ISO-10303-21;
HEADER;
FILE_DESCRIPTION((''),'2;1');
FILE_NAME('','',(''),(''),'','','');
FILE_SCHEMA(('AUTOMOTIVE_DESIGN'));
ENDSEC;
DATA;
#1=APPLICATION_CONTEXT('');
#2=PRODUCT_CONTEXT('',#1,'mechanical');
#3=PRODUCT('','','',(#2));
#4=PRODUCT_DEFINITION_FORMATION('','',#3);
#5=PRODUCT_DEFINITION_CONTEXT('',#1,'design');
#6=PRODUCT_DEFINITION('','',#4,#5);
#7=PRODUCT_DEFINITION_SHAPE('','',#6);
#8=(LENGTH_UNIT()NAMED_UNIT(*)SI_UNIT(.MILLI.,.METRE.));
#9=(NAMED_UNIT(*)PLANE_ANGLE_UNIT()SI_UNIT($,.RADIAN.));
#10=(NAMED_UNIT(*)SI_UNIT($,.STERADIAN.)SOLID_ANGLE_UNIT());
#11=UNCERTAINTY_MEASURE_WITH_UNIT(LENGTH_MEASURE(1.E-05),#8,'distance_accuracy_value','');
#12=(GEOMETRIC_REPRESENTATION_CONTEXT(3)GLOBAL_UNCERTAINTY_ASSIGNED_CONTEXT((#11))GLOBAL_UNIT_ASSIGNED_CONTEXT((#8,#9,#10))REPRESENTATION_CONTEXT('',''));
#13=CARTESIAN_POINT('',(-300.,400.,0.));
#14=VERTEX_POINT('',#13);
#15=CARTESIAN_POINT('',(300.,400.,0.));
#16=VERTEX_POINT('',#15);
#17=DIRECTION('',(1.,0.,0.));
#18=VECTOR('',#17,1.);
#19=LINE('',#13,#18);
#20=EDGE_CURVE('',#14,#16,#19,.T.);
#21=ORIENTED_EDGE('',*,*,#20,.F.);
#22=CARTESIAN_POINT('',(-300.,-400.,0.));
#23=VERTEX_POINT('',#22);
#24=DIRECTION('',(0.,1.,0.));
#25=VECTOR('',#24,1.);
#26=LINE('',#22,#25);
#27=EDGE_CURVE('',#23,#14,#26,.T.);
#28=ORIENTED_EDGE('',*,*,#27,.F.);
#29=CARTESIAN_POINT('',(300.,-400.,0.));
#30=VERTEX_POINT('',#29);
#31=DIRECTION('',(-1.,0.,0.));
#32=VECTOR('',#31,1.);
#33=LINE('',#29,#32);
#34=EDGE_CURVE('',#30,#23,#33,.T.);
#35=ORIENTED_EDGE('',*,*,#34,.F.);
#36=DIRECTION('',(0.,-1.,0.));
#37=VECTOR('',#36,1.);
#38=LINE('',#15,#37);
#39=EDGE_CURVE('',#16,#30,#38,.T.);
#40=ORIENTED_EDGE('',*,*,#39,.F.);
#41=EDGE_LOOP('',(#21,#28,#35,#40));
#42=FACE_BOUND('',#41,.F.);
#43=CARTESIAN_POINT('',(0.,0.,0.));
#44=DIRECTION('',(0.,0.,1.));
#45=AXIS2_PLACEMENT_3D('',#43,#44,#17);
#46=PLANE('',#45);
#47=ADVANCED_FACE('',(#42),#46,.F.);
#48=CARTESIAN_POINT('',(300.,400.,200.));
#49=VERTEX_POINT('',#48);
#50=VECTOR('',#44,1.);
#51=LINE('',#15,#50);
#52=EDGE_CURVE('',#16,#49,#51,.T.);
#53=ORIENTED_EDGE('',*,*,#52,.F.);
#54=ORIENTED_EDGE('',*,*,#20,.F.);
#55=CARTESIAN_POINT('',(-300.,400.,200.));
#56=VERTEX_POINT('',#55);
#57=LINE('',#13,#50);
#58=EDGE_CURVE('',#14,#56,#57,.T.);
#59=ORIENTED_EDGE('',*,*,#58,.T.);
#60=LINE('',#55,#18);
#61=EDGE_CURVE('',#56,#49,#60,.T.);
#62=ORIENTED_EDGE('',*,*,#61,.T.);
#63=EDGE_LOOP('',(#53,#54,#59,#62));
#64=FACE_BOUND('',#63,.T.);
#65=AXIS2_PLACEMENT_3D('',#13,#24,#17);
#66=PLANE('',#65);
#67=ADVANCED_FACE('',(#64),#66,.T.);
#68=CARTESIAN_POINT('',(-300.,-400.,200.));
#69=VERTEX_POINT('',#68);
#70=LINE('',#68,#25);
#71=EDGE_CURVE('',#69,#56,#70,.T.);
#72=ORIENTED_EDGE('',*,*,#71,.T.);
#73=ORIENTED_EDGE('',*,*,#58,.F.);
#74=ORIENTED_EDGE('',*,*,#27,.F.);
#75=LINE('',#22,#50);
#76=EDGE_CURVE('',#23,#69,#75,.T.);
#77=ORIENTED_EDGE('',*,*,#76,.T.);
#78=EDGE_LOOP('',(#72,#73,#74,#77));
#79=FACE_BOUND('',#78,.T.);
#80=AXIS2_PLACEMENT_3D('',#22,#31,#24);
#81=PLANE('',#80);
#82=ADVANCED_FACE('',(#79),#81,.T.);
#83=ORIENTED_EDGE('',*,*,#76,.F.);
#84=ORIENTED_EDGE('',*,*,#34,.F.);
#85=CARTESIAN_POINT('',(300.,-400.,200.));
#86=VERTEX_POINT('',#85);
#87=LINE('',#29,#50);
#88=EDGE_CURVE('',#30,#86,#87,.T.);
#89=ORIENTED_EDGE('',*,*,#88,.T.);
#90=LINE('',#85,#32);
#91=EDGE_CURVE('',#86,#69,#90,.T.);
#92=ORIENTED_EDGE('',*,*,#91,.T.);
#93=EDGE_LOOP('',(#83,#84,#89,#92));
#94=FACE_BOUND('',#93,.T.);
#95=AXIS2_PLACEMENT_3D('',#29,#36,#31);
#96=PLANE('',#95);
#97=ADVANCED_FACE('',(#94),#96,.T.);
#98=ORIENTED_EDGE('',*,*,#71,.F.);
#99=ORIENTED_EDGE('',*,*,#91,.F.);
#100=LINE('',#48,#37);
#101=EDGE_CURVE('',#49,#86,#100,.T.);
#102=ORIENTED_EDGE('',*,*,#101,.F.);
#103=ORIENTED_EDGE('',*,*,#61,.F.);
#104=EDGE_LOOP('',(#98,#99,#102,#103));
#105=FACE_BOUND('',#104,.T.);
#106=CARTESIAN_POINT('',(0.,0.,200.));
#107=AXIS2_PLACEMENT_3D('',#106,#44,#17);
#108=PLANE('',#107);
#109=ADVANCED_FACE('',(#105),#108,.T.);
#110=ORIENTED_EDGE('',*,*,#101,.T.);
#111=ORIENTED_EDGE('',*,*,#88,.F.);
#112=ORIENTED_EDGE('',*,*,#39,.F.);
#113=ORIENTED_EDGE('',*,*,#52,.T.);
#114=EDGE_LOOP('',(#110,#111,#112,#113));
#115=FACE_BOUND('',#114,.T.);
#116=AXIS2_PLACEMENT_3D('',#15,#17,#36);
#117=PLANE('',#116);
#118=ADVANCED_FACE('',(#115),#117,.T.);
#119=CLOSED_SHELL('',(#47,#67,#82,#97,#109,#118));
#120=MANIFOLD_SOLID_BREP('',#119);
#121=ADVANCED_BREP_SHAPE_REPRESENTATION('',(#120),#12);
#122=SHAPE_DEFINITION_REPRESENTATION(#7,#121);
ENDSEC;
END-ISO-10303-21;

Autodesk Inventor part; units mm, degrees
ref_plane "YZ Plane" through (0, 0, 0) normal (1, 0, 0) x (0, 1, 0)
ref_plane "XZ Plane" through (0, 0, 0) normal (0, 1, 0) x (-1, 0, 0)
ref_plane "XY Plane" through (0, 0, 0) normal (0, 0, 1) x (1, 0, 0)
sketch "Sketch1" plane through (0, 0, 0) normal (0, 0, 1) x (1, 0, 0)
  line L0 (-300, 400) -> (300, 400)
  line L1 (300, 400) -> (300, -400)
  line L2 (300, -400) -> (-300, -400)
  line L3 (-300, -400) -> (-300, 400)
  line L4 (-300, 400) -> (300, -400) construction
  line L5 (300, 400) -> (-300, -400) construction
  point P0 (0, 0)
  dimension "d0" = 600
  dimension "d1" = 800
extrude "Extrusion1" add sketch "Sketch1" along normal blind 200
properties part number "dummy box"
